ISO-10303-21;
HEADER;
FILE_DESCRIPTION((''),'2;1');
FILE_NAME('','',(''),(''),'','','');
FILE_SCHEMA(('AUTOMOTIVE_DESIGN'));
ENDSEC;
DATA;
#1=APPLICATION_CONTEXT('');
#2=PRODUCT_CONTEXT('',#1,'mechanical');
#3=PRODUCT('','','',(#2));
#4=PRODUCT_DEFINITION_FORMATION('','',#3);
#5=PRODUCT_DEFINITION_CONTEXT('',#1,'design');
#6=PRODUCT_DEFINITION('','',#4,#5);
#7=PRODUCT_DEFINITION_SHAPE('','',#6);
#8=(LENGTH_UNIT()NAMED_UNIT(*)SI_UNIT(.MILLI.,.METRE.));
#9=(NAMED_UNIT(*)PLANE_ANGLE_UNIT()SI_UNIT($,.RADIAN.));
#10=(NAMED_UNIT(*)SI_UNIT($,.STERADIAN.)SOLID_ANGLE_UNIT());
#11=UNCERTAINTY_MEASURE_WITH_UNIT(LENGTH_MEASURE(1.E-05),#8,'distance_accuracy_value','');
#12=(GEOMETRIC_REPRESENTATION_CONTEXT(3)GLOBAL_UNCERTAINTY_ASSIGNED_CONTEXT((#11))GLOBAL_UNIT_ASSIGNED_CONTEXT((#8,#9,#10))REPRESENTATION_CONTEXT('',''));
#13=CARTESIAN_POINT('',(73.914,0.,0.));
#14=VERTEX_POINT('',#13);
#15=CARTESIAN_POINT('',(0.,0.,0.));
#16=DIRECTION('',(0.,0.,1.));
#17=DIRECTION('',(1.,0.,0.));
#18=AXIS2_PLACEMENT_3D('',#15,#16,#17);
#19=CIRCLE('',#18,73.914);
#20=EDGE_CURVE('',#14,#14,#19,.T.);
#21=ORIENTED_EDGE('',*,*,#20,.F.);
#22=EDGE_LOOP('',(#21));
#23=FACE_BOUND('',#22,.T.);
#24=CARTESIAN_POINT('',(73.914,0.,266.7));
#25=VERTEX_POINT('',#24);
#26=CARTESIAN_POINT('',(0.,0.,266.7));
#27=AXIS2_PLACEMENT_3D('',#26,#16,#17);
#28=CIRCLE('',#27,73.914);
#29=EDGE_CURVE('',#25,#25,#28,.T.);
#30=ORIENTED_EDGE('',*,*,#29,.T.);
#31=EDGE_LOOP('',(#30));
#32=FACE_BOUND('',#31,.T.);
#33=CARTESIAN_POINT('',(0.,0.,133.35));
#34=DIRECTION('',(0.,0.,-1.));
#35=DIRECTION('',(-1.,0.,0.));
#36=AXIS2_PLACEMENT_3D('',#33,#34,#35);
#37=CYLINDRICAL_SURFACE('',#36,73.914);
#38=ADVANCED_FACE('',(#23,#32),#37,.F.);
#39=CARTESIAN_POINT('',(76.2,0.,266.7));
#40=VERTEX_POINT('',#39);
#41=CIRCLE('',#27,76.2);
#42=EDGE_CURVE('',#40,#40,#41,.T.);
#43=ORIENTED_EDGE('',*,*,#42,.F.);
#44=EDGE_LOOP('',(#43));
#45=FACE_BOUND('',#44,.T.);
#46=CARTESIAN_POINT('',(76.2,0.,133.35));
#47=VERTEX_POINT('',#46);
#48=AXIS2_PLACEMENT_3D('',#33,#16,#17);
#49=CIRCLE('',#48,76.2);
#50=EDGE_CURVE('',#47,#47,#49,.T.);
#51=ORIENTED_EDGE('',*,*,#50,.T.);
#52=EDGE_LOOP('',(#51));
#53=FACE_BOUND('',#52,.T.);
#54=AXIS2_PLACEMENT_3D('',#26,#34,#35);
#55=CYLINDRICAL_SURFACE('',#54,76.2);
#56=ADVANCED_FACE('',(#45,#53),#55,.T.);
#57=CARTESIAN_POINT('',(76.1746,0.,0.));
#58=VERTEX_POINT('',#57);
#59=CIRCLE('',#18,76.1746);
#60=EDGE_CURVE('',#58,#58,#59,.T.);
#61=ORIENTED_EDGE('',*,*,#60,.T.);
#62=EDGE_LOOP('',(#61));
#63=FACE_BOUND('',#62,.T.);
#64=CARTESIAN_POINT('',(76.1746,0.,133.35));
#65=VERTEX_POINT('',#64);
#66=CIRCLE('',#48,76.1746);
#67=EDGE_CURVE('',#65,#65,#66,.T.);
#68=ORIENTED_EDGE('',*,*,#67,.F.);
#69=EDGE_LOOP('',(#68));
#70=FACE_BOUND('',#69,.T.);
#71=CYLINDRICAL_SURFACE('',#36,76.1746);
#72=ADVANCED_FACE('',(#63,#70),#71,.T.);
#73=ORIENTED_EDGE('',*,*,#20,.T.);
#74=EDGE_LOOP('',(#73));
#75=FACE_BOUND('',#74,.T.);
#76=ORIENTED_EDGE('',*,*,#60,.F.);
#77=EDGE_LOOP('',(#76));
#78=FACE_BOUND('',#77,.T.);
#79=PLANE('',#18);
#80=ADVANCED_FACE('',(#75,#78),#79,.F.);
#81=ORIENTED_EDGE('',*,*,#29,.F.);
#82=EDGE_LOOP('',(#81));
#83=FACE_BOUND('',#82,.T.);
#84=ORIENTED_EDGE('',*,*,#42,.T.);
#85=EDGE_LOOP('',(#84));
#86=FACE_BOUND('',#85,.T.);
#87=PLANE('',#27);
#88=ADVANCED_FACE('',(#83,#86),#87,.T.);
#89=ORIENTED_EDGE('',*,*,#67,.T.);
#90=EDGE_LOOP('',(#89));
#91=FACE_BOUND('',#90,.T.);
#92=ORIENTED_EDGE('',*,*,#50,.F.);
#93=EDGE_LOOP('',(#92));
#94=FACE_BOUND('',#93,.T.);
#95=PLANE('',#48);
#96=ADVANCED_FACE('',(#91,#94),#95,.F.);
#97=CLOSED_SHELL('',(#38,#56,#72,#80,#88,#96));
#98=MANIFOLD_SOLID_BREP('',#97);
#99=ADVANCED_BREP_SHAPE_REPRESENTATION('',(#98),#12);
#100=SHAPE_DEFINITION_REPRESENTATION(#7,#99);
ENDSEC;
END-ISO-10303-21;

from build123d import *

# Parameters (mm, degrees)
ESQUISSE2_R        = 76.1746
ESQUISSE2_R_2      = 73.914
BOSS_EXTRU_1_DEPTH = 133.35
ESQUISSE3_R        = 76.2
ESQUISSE3_R_2      = 73.914
BOSS_EXTRU_2_DEPTH = 133.35


with BuildPart() as part:
    # Esquisse2 → Boss.-Extru.1 (new body)
    with BuildSketch(Plane.XY):
        Circle(ESQUISSE2_R)
        Circle(ESQUISSE2_R_2, mode=Mode.SUBTRACT)
    extrude(amount=BOSS_EXTRU_1_DEPTH)

    # Esquisse3 → Boss.-Extru.2 (add)
    with BuildSketch(Plane.XY.offset(133.35)):
        Circle(ESQUISSE3_R)
        Circle(ESQUISSE3_R_2, mode=Mode.SUBTRACT)
    extrude(amount=BOSS_EXTRU_2_DEPTH)


solid = part.part
